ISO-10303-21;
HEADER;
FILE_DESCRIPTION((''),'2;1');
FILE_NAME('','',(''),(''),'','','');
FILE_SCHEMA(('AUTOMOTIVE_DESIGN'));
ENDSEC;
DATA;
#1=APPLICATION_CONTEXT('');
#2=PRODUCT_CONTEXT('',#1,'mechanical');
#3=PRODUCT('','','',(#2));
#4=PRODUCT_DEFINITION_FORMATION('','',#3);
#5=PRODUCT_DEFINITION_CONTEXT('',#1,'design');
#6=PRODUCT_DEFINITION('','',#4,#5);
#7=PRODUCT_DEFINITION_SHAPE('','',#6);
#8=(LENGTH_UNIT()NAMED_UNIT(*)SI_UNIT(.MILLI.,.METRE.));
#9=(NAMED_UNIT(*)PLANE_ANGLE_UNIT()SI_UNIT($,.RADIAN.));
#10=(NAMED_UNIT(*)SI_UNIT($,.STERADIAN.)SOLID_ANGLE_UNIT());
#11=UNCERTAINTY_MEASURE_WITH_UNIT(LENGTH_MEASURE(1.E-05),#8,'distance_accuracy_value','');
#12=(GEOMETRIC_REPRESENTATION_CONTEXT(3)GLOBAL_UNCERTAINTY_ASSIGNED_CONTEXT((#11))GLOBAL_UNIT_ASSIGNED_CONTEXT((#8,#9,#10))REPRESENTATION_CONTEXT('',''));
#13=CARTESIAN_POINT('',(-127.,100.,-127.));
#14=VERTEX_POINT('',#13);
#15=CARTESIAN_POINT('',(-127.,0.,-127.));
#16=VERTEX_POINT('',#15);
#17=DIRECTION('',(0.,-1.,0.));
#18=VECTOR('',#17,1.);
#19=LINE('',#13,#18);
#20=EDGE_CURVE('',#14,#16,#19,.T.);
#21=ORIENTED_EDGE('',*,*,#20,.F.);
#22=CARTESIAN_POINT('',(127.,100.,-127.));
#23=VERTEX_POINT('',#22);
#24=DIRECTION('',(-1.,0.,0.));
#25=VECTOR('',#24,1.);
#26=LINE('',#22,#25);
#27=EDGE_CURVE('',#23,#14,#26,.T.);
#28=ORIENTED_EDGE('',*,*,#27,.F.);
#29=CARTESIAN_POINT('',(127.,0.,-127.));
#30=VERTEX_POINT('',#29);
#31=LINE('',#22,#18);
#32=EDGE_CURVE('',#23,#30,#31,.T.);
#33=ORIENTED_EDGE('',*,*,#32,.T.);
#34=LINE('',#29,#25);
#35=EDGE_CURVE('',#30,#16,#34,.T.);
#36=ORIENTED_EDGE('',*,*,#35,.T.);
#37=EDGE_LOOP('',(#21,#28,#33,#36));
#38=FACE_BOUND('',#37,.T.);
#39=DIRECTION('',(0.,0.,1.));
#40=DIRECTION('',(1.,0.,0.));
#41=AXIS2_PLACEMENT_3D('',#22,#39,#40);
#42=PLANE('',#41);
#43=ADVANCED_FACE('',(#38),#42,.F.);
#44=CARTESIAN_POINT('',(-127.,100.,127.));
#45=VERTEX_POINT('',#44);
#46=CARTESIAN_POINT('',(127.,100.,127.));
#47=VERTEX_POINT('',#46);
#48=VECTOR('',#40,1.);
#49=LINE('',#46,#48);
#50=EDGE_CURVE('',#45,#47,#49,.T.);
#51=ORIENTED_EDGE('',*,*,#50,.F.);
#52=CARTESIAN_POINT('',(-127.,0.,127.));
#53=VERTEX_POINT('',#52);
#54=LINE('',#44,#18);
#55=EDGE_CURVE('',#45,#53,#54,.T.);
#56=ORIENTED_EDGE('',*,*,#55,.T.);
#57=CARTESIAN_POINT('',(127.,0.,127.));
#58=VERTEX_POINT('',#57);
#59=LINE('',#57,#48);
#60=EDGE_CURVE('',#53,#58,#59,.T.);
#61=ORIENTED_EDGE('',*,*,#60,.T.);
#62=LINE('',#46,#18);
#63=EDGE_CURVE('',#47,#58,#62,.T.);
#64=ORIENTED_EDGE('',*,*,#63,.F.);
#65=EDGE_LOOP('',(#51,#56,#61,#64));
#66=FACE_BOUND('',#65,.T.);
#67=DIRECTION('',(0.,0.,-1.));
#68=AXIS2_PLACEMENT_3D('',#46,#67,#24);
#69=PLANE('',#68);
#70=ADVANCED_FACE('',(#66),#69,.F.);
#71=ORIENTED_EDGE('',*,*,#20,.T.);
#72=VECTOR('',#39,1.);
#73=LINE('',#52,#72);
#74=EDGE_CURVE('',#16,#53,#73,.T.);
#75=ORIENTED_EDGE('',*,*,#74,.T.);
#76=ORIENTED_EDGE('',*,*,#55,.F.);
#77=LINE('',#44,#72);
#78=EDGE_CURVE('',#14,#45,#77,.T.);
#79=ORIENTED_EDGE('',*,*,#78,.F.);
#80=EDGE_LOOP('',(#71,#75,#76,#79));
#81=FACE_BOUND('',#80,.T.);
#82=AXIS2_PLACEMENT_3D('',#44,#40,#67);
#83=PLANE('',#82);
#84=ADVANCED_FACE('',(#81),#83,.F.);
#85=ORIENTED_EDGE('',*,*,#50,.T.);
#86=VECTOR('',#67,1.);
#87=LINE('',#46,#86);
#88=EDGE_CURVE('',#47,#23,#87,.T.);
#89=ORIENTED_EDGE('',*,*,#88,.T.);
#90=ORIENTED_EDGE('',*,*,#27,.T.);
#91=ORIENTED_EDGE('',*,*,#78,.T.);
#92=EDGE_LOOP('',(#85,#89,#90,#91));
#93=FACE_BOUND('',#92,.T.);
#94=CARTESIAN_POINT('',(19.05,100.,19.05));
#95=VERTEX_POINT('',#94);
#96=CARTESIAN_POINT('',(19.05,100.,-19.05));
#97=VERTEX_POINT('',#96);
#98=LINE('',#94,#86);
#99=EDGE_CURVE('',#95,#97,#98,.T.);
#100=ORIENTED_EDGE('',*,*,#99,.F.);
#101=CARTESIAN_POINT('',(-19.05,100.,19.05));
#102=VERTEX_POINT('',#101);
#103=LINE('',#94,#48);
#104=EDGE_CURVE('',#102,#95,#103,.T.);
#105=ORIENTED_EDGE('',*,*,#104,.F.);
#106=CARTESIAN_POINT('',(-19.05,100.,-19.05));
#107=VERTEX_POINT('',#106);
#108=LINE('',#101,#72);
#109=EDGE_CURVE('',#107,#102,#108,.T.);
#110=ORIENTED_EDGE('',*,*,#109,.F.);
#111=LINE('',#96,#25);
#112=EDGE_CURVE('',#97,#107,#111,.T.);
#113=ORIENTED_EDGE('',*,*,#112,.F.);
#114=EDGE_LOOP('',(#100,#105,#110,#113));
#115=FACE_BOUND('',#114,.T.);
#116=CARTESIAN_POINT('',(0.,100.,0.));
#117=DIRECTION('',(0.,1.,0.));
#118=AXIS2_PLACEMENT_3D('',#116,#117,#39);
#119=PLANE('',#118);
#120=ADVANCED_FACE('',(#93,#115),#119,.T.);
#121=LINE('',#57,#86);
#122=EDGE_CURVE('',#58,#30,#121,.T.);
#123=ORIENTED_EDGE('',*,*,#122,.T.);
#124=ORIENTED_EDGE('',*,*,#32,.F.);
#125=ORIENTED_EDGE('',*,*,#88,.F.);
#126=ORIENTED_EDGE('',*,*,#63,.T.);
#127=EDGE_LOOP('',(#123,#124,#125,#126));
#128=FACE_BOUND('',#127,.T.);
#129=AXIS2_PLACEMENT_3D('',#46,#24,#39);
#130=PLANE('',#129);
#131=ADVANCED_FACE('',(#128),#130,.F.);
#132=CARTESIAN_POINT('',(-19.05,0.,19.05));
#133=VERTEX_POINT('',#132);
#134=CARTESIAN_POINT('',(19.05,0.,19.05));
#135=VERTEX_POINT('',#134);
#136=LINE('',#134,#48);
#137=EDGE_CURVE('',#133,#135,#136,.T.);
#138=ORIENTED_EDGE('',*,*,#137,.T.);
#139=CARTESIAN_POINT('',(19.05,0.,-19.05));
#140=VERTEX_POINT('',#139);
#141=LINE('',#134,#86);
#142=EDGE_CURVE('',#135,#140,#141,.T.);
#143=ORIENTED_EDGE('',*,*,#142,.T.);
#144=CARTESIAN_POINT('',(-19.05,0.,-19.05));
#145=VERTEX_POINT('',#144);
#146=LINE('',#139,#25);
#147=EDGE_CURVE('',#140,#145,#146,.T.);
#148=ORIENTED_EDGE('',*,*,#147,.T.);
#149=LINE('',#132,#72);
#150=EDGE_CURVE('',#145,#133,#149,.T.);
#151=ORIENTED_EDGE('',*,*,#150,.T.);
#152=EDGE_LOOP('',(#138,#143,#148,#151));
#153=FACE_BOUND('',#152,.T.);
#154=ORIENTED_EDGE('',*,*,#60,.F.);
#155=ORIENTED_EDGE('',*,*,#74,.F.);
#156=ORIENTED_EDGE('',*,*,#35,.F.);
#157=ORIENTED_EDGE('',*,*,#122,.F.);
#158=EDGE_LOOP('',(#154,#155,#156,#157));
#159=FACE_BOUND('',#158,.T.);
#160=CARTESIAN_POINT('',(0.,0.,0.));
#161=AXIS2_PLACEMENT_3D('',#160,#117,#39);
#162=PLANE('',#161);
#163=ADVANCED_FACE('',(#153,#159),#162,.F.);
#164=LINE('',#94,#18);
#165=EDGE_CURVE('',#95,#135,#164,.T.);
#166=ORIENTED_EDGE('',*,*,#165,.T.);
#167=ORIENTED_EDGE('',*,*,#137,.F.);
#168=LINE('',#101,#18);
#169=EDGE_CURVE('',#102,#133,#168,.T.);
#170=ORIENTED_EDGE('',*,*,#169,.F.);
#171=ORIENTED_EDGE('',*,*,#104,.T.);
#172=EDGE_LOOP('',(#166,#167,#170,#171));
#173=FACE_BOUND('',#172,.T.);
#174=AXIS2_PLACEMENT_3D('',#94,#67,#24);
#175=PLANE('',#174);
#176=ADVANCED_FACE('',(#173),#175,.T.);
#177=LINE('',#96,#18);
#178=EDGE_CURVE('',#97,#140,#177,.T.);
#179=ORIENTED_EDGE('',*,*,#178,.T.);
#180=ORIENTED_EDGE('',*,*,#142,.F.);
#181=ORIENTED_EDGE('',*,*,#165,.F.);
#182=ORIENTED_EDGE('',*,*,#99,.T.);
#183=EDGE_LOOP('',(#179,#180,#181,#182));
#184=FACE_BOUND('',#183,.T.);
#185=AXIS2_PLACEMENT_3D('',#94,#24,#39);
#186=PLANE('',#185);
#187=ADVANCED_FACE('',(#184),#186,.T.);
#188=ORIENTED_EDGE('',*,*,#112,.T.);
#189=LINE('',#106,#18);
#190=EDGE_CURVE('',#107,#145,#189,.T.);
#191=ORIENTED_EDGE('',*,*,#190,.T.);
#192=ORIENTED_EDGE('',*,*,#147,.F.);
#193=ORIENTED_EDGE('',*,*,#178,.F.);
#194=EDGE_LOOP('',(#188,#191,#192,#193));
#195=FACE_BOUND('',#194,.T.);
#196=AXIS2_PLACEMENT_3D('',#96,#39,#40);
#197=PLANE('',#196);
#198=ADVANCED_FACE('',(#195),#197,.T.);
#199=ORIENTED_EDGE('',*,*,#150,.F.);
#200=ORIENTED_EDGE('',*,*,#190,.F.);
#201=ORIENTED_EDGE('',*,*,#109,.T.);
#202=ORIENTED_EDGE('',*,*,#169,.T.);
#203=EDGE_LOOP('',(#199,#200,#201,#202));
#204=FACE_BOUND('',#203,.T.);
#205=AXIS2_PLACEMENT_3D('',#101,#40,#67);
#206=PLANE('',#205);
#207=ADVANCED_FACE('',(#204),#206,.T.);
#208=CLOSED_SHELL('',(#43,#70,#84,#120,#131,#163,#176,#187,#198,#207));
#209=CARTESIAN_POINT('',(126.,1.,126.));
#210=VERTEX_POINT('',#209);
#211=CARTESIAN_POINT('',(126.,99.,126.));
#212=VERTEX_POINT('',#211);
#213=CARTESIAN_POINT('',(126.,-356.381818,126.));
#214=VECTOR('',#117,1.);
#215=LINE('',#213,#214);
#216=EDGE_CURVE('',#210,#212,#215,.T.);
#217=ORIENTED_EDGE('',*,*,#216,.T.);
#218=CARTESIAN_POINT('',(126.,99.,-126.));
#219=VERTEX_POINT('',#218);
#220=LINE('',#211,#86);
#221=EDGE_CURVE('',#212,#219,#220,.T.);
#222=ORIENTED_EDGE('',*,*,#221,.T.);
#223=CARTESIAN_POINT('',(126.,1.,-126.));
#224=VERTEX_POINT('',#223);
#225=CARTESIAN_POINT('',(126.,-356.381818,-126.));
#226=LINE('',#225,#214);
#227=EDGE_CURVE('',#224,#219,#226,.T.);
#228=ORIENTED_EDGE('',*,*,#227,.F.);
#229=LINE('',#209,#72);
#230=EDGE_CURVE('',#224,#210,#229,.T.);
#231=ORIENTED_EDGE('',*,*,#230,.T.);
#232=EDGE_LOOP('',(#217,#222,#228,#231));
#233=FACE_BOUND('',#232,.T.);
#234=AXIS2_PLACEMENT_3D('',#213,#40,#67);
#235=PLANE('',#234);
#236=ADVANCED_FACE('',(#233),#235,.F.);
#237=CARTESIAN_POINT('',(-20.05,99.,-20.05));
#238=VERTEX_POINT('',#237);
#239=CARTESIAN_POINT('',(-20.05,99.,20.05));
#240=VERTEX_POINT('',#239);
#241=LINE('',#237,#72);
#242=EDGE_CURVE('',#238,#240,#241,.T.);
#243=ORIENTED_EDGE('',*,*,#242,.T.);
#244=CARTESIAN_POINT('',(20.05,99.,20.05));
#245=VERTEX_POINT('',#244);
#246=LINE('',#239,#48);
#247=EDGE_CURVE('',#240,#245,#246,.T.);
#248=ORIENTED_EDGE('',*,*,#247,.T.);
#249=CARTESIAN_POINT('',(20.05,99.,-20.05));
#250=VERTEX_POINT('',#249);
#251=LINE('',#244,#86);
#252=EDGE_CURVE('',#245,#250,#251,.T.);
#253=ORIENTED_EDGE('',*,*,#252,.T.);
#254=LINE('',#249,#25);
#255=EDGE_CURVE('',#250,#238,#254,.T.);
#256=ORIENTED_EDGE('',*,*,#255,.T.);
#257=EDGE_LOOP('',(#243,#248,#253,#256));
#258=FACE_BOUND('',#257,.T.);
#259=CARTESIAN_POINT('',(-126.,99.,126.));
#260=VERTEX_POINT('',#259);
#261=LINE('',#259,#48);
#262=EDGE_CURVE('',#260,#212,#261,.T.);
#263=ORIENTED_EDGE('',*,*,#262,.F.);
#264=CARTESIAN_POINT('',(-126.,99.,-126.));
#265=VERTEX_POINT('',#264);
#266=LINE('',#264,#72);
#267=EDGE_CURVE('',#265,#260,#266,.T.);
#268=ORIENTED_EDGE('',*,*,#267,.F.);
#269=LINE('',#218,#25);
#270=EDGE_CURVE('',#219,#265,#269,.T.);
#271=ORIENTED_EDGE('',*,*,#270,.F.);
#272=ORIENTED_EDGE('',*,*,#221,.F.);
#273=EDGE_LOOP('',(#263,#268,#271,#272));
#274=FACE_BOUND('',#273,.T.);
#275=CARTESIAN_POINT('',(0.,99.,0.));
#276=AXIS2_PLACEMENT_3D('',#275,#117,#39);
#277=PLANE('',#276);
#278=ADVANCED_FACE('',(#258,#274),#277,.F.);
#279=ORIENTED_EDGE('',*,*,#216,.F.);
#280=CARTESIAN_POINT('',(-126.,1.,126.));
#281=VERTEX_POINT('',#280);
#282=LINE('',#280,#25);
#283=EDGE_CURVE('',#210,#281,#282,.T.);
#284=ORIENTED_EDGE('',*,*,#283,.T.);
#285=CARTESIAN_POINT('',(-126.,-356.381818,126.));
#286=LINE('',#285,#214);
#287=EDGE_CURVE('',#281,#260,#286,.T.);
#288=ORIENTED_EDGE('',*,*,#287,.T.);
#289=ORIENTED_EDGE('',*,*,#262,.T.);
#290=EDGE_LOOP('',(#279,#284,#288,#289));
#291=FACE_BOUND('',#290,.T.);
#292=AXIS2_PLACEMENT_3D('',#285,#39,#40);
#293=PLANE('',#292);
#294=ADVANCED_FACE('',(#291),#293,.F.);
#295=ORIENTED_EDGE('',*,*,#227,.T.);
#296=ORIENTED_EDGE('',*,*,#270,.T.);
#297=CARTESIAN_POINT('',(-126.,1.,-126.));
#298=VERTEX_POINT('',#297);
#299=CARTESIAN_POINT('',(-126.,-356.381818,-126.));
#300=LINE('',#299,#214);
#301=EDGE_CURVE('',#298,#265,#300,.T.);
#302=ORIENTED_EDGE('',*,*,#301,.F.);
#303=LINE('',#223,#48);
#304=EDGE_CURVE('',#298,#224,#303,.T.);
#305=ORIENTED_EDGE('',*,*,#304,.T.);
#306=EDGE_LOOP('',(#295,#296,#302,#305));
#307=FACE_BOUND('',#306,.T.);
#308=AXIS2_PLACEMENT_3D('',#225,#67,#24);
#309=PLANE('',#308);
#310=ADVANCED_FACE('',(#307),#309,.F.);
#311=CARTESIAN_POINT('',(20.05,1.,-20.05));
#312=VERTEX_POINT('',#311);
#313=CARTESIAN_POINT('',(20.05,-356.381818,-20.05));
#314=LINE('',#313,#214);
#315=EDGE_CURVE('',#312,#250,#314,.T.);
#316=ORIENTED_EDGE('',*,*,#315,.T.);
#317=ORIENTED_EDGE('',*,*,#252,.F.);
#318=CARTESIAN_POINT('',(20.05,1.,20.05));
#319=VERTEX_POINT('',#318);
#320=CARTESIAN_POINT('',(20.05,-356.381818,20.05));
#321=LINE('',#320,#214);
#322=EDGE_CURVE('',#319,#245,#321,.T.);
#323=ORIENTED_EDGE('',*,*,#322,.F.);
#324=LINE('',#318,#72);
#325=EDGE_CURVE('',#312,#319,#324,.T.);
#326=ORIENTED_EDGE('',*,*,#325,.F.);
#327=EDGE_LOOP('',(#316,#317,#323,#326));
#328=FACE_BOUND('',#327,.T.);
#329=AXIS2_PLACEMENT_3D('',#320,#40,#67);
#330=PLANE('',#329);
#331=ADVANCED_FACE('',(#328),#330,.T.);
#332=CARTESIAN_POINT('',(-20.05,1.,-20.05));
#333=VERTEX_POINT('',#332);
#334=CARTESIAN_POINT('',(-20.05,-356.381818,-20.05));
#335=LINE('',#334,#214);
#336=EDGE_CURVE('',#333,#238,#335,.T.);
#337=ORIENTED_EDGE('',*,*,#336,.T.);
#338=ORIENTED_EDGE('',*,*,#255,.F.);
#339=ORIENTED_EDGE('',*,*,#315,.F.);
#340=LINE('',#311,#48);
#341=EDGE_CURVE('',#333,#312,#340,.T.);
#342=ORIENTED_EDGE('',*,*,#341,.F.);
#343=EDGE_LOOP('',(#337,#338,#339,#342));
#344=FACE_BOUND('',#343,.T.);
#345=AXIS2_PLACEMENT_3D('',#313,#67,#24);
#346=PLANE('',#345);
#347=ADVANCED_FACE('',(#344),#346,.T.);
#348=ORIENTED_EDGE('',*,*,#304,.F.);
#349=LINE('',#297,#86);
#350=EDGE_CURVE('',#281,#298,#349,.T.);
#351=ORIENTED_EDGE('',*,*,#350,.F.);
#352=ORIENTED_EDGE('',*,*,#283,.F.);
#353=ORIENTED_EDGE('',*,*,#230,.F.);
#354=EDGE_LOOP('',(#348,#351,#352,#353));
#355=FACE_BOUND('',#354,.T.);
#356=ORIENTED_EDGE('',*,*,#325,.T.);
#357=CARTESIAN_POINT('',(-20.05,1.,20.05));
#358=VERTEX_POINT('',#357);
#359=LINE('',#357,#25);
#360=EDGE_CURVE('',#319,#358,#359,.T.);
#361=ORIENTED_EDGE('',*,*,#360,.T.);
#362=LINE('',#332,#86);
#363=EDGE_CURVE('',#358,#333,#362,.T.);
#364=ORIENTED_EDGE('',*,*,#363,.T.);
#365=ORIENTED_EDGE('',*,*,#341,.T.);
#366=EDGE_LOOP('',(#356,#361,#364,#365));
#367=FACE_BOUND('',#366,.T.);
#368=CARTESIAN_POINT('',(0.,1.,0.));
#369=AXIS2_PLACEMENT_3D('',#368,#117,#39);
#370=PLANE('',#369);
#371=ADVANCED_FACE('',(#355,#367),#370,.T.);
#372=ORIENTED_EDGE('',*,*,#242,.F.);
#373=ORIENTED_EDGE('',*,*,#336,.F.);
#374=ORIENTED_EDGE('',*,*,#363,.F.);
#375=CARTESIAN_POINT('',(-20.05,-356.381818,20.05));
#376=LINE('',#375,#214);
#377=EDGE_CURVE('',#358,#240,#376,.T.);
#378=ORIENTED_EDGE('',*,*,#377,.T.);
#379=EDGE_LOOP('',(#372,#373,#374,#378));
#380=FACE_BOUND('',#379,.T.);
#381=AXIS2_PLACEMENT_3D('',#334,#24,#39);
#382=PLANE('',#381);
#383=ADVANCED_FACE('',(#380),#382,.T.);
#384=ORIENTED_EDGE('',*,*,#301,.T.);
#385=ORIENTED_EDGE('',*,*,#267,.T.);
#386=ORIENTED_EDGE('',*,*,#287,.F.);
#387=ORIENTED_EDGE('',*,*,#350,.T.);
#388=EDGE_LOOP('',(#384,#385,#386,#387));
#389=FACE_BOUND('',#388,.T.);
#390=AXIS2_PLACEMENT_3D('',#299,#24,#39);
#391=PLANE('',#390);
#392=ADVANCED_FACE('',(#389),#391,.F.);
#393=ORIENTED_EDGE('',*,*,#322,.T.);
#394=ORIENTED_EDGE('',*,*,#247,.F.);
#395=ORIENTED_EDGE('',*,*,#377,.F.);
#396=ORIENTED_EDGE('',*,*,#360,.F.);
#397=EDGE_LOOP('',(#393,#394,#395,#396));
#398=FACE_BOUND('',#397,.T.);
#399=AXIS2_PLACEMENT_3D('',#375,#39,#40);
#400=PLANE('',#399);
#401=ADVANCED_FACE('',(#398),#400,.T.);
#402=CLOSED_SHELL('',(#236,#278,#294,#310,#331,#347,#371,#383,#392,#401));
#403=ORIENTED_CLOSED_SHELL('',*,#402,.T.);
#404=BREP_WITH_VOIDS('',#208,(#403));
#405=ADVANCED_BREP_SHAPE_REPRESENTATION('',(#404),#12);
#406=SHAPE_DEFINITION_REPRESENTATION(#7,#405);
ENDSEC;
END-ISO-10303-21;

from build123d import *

# Parameters (mm, degrees)
SKETCH1_W           = 254
SKETCH1_H           = 254
SKETCH1_W_2         = 38.1
SKETCH1_H_2         = 38.1
BOSS_EXTRUDE1_DEPTH = 100
SKETCH2_W           = 252
SKETCH2_H           = 252
SKETCH2_W_2         = 40.1
SKETCH2_H_2         = 40.1
CUT_EXTRUDE1_DEPTH  = 98


with BuildPart() as part:
    # Sketch1 → Boss-Extrude1 (new body)
    with BuildSketch(Plane(origin=(0, 0, 0), x_dir=(1, 0, 0), z_dir=(0, 1, 0))):
        Rectangle(SKETCH1_W, SKETCH1_H)
        Rectangle(SKETCH1_W_2, SKETCH1_H_2, mode=Mode.SUBTRACT)
    extrude(amount=BOSS_EXTRUDE1_DEPTH)

    # Sketch2 → Cut-Extrude1 (cut)
    with BuildSketch(Plane(origin=(0, 99, 0), x_dir=(1, 0, 0), z_dir=(0, 1, 0))):
        Rectangle(SKETCH2_W, SKETCH2_H)
        Rectangle(SKETCH2_W_2, SKETCH2_H_2, mode=Mode.SUBTRACT)
    extrude(amount=-CUT_EXTRUDE1_DEPTH, mode=Mode.SUBTRACT)


solid = part.part
